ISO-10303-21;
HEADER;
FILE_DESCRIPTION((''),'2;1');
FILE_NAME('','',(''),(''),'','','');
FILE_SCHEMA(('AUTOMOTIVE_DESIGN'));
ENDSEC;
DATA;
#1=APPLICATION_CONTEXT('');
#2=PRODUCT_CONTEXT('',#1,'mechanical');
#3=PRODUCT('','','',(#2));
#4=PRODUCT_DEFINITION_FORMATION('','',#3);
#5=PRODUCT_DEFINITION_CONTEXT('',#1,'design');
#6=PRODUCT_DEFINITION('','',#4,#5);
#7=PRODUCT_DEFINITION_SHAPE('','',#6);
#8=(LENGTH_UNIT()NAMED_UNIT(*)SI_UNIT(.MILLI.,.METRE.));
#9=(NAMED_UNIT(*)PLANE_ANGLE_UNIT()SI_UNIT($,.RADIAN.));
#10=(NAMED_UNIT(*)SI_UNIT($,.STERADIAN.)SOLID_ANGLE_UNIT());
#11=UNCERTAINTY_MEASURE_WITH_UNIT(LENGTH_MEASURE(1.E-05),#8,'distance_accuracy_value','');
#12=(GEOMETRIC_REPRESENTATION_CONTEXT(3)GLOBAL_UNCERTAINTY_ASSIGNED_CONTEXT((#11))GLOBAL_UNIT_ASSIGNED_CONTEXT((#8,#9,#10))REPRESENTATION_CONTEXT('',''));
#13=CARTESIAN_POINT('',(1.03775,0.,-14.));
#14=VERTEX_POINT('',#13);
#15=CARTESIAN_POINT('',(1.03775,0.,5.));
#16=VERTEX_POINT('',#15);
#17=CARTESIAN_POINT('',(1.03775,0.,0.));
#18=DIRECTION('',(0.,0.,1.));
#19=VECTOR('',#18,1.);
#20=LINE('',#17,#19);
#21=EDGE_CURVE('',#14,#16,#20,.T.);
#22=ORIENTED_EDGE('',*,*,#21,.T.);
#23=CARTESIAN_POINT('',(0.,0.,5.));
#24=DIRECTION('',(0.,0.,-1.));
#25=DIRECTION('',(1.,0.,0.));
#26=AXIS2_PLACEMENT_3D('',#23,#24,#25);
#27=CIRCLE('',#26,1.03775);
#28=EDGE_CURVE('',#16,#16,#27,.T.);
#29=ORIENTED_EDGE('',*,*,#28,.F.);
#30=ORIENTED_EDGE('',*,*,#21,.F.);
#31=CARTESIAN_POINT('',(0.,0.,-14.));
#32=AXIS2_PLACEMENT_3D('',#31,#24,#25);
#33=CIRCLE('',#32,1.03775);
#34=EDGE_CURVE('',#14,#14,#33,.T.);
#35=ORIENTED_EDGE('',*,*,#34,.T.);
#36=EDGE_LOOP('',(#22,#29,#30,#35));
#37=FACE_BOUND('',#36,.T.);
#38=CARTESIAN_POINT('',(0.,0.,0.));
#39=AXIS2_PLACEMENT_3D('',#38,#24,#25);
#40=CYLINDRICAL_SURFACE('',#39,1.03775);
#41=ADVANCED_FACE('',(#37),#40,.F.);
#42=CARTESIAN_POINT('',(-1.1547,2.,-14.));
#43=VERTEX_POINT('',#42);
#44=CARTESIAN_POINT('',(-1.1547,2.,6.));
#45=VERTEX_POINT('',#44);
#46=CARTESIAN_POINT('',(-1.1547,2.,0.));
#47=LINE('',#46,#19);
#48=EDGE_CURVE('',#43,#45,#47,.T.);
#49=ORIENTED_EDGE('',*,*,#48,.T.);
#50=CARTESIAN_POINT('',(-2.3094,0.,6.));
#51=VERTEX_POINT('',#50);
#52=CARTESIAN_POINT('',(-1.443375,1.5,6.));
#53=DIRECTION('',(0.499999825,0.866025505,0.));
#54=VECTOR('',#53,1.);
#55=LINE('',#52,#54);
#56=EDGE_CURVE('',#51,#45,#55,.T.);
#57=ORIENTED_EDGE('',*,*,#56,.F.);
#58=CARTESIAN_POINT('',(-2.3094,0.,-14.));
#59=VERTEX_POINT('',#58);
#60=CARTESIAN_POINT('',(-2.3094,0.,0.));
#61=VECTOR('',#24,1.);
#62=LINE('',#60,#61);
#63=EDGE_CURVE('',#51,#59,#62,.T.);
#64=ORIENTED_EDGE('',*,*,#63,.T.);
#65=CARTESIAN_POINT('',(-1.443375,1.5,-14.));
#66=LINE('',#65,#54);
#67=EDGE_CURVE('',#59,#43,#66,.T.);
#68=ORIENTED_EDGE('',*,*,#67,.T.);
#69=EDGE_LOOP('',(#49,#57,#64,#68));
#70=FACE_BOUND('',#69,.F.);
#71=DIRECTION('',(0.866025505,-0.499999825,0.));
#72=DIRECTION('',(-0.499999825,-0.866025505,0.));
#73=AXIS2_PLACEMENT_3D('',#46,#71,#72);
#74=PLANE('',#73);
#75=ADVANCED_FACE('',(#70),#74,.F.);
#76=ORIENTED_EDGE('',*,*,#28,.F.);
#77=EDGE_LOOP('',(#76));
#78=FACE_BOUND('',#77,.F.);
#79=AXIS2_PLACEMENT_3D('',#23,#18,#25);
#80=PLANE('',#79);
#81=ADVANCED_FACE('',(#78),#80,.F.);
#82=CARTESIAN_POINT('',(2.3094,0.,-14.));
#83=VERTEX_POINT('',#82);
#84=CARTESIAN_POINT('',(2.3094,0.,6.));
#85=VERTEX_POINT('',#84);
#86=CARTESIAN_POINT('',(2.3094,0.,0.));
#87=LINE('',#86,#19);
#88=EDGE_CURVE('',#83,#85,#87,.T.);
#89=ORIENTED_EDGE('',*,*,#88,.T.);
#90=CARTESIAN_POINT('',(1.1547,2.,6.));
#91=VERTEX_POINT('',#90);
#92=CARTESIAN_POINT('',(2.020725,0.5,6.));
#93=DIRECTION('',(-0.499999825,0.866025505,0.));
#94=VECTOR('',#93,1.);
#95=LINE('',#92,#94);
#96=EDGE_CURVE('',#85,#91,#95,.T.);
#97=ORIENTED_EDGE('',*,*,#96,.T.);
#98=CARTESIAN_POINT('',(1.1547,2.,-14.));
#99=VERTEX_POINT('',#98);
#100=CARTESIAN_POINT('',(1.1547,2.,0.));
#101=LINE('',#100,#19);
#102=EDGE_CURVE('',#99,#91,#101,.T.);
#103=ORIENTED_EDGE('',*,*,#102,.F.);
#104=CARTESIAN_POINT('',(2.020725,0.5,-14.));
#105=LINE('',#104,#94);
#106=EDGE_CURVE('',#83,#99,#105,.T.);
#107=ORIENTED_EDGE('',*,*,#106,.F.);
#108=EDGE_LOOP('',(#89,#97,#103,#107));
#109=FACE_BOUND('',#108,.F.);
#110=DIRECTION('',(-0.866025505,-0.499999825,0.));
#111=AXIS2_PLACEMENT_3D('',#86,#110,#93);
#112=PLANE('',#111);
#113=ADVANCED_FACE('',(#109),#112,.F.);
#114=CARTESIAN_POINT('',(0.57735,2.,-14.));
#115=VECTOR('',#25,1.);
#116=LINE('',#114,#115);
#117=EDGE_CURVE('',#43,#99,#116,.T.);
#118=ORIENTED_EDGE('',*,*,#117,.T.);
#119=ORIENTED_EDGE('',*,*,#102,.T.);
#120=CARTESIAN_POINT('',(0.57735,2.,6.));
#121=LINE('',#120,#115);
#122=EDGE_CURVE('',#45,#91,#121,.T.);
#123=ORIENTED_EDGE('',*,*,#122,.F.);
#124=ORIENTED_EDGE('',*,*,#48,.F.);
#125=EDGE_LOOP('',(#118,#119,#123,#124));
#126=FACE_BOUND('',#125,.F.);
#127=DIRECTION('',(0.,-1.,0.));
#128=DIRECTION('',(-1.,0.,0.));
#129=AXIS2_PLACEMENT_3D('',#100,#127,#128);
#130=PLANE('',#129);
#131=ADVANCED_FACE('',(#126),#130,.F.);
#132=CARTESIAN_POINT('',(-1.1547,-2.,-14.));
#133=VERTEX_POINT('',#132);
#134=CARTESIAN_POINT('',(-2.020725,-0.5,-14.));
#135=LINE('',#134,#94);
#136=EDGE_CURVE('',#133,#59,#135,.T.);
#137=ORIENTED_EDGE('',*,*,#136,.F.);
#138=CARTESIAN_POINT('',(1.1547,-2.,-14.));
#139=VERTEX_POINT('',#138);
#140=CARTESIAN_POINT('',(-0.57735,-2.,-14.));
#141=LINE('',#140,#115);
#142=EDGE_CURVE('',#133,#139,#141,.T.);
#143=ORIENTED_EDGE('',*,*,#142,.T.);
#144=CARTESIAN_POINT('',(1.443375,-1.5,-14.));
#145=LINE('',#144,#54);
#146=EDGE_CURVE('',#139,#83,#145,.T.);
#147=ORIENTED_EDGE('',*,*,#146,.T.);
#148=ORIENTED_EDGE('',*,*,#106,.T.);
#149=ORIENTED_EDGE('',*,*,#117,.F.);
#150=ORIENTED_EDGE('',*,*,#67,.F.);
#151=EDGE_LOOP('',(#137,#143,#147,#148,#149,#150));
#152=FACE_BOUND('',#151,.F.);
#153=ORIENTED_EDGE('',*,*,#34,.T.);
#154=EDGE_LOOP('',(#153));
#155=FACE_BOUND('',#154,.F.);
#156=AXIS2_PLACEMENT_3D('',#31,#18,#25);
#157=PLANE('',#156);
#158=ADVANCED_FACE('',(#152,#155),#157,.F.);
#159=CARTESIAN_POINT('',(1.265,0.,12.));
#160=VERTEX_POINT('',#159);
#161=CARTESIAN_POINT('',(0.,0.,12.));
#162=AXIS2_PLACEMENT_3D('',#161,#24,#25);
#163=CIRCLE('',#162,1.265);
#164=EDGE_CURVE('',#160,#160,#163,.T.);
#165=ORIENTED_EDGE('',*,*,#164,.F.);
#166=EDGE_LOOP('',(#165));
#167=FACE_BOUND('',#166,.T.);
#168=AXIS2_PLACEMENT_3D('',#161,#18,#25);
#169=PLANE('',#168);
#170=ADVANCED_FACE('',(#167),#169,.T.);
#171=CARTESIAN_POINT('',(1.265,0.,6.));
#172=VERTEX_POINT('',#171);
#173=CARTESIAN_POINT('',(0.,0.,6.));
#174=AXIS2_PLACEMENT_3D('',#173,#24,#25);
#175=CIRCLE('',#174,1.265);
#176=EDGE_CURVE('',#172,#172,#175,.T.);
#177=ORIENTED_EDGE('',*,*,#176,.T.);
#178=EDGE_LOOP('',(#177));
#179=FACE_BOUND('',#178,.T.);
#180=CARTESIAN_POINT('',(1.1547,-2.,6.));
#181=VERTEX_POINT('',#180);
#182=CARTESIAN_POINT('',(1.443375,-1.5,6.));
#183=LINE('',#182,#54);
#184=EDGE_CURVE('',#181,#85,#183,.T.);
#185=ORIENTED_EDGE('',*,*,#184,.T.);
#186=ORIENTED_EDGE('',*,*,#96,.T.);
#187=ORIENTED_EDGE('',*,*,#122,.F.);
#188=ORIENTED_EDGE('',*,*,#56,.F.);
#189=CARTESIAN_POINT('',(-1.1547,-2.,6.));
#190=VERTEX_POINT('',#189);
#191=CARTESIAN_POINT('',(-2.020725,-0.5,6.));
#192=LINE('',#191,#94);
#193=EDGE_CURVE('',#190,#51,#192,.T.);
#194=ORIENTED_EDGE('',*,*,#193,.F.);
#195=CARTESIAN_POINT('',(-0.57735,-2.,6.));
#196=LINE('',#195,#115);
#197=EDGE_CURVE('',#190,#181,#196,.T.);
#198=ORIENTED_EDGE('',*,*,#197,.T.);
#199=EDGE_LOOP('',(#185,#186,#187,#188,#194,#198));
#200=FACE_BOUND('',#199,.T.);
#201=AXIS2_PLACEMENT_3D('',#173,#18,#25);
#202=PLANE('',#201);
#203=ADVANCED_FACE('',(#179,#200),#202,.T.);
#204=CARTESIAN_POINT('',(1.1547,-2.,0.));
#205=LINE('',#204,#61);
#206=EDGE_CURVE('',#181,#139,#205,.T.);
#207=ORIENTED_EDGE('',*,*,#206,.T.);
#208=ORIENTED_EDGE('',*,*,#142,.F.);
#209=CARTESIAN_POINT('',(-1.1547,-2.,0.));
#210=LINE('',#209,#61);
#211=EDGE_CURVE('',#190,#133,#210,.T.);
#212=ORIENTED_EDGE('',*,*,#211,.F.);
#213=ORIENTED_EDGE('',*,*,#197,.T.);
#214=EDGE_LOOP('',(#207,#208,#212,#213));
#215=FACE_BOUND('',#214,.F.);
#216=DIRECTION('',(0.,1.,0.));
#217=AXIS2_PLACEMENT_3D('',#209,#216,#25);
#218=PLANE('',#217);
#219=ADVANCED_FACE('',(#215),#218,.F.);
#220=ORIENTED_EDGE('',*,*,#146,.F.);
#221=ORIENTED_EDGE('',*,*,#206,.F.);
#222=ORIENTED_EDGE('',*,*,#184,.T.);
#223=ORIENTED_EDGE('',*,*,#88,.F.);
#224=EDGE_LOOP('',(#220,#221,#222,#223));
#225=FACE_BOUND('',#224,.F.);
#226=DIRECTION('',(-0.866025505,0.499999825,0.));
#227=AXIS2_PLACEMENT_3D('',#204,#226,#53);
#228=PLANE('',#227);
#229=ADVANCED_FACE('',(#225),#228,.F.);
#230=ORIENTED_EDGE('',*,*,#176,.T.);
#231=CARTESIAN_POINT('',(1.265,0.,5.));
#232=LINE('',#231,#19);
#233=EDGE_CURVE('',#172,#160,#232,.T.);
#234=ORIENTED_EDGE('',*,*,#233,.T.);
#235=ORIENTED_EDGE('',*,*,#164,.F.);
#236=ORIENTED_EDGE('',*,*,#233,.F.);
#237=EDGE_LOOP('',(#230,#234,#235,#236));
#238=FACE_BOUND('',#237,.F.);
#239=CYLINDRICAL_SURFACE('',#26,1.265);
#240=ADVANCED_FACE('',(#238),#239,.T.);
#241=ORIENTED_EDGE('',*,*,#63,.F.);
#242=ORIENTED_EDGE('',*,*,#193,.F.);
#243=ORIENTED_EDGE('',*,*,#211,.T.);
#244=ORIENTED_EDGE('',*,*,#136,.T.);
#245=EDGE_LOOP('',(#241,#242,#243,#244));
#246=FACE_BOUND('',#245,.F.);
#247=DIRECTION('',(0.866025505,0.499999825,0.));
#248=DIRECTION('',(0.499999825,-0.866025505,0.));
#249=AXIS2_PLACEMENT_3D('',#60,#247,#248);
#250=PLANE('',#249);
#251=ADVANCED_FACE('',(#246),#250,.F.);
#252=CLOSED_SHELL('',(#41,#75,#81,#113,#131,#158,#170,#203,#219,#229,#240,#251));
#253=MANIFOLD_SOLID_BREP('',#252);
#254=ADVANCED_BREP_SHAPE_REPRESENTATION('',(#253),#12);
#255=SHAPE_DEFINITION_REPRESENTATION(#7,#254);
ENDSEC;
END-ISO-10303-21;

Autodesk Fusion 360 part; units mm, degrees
sketch "Sketch1" plane through (0, 0, 0) normal (0, 0, 1) x (1, 0, 0)
  circle A0 centre (0, 0) radius 1.25
  line L0 (2.3094, 0) -> (1.1547, 2)
  line L1 (1.1547, 2) -> (-1.1547, 2)
  line L2 (-1.1547, 2) -> (-2.3094, 0)
  line L3 (-2.3094, 0) -> (-1.1547, -2)
  line L4 (-1.1547, -2) -> (1.1547, -2)
  line L5 (1.1547, -2) -> (2.3094, 0)
  dimension "d1" = 2.5
  dimension "d21" = 2
extrude "Extrude6" add sketch "Sketch1" along normal blind 6
extrude "Extrude7" add sketch "Sketch1" along normal blind 7 from surface at 5 contours A0
thread "Thread1" "ISO Metric profile 2.6 M2.6x0.45 M2.6x0.45 6g" major diameter 2.53 minor diameter 2.0162 pitch 0.45 angle 60 resizes the face on face at (1.2438, -0.1245, 8)
thread "Thread2" "ISO Metric profile 2.5 M2.5x0.45 M2.5x0.45 6H" major diameter 2.58 minor diameter 2.0755 pitch 0.45 angle 60 resizes the face on face at (1.2484, 0.0623, 1.6667)
move_face "OffsetFaces2" offset 14 1 faces at (-1.4664, 0.8168, 0)
equation "d31 = 1.3 mm + 24 mm - 7.3 mm - 4 mm"
